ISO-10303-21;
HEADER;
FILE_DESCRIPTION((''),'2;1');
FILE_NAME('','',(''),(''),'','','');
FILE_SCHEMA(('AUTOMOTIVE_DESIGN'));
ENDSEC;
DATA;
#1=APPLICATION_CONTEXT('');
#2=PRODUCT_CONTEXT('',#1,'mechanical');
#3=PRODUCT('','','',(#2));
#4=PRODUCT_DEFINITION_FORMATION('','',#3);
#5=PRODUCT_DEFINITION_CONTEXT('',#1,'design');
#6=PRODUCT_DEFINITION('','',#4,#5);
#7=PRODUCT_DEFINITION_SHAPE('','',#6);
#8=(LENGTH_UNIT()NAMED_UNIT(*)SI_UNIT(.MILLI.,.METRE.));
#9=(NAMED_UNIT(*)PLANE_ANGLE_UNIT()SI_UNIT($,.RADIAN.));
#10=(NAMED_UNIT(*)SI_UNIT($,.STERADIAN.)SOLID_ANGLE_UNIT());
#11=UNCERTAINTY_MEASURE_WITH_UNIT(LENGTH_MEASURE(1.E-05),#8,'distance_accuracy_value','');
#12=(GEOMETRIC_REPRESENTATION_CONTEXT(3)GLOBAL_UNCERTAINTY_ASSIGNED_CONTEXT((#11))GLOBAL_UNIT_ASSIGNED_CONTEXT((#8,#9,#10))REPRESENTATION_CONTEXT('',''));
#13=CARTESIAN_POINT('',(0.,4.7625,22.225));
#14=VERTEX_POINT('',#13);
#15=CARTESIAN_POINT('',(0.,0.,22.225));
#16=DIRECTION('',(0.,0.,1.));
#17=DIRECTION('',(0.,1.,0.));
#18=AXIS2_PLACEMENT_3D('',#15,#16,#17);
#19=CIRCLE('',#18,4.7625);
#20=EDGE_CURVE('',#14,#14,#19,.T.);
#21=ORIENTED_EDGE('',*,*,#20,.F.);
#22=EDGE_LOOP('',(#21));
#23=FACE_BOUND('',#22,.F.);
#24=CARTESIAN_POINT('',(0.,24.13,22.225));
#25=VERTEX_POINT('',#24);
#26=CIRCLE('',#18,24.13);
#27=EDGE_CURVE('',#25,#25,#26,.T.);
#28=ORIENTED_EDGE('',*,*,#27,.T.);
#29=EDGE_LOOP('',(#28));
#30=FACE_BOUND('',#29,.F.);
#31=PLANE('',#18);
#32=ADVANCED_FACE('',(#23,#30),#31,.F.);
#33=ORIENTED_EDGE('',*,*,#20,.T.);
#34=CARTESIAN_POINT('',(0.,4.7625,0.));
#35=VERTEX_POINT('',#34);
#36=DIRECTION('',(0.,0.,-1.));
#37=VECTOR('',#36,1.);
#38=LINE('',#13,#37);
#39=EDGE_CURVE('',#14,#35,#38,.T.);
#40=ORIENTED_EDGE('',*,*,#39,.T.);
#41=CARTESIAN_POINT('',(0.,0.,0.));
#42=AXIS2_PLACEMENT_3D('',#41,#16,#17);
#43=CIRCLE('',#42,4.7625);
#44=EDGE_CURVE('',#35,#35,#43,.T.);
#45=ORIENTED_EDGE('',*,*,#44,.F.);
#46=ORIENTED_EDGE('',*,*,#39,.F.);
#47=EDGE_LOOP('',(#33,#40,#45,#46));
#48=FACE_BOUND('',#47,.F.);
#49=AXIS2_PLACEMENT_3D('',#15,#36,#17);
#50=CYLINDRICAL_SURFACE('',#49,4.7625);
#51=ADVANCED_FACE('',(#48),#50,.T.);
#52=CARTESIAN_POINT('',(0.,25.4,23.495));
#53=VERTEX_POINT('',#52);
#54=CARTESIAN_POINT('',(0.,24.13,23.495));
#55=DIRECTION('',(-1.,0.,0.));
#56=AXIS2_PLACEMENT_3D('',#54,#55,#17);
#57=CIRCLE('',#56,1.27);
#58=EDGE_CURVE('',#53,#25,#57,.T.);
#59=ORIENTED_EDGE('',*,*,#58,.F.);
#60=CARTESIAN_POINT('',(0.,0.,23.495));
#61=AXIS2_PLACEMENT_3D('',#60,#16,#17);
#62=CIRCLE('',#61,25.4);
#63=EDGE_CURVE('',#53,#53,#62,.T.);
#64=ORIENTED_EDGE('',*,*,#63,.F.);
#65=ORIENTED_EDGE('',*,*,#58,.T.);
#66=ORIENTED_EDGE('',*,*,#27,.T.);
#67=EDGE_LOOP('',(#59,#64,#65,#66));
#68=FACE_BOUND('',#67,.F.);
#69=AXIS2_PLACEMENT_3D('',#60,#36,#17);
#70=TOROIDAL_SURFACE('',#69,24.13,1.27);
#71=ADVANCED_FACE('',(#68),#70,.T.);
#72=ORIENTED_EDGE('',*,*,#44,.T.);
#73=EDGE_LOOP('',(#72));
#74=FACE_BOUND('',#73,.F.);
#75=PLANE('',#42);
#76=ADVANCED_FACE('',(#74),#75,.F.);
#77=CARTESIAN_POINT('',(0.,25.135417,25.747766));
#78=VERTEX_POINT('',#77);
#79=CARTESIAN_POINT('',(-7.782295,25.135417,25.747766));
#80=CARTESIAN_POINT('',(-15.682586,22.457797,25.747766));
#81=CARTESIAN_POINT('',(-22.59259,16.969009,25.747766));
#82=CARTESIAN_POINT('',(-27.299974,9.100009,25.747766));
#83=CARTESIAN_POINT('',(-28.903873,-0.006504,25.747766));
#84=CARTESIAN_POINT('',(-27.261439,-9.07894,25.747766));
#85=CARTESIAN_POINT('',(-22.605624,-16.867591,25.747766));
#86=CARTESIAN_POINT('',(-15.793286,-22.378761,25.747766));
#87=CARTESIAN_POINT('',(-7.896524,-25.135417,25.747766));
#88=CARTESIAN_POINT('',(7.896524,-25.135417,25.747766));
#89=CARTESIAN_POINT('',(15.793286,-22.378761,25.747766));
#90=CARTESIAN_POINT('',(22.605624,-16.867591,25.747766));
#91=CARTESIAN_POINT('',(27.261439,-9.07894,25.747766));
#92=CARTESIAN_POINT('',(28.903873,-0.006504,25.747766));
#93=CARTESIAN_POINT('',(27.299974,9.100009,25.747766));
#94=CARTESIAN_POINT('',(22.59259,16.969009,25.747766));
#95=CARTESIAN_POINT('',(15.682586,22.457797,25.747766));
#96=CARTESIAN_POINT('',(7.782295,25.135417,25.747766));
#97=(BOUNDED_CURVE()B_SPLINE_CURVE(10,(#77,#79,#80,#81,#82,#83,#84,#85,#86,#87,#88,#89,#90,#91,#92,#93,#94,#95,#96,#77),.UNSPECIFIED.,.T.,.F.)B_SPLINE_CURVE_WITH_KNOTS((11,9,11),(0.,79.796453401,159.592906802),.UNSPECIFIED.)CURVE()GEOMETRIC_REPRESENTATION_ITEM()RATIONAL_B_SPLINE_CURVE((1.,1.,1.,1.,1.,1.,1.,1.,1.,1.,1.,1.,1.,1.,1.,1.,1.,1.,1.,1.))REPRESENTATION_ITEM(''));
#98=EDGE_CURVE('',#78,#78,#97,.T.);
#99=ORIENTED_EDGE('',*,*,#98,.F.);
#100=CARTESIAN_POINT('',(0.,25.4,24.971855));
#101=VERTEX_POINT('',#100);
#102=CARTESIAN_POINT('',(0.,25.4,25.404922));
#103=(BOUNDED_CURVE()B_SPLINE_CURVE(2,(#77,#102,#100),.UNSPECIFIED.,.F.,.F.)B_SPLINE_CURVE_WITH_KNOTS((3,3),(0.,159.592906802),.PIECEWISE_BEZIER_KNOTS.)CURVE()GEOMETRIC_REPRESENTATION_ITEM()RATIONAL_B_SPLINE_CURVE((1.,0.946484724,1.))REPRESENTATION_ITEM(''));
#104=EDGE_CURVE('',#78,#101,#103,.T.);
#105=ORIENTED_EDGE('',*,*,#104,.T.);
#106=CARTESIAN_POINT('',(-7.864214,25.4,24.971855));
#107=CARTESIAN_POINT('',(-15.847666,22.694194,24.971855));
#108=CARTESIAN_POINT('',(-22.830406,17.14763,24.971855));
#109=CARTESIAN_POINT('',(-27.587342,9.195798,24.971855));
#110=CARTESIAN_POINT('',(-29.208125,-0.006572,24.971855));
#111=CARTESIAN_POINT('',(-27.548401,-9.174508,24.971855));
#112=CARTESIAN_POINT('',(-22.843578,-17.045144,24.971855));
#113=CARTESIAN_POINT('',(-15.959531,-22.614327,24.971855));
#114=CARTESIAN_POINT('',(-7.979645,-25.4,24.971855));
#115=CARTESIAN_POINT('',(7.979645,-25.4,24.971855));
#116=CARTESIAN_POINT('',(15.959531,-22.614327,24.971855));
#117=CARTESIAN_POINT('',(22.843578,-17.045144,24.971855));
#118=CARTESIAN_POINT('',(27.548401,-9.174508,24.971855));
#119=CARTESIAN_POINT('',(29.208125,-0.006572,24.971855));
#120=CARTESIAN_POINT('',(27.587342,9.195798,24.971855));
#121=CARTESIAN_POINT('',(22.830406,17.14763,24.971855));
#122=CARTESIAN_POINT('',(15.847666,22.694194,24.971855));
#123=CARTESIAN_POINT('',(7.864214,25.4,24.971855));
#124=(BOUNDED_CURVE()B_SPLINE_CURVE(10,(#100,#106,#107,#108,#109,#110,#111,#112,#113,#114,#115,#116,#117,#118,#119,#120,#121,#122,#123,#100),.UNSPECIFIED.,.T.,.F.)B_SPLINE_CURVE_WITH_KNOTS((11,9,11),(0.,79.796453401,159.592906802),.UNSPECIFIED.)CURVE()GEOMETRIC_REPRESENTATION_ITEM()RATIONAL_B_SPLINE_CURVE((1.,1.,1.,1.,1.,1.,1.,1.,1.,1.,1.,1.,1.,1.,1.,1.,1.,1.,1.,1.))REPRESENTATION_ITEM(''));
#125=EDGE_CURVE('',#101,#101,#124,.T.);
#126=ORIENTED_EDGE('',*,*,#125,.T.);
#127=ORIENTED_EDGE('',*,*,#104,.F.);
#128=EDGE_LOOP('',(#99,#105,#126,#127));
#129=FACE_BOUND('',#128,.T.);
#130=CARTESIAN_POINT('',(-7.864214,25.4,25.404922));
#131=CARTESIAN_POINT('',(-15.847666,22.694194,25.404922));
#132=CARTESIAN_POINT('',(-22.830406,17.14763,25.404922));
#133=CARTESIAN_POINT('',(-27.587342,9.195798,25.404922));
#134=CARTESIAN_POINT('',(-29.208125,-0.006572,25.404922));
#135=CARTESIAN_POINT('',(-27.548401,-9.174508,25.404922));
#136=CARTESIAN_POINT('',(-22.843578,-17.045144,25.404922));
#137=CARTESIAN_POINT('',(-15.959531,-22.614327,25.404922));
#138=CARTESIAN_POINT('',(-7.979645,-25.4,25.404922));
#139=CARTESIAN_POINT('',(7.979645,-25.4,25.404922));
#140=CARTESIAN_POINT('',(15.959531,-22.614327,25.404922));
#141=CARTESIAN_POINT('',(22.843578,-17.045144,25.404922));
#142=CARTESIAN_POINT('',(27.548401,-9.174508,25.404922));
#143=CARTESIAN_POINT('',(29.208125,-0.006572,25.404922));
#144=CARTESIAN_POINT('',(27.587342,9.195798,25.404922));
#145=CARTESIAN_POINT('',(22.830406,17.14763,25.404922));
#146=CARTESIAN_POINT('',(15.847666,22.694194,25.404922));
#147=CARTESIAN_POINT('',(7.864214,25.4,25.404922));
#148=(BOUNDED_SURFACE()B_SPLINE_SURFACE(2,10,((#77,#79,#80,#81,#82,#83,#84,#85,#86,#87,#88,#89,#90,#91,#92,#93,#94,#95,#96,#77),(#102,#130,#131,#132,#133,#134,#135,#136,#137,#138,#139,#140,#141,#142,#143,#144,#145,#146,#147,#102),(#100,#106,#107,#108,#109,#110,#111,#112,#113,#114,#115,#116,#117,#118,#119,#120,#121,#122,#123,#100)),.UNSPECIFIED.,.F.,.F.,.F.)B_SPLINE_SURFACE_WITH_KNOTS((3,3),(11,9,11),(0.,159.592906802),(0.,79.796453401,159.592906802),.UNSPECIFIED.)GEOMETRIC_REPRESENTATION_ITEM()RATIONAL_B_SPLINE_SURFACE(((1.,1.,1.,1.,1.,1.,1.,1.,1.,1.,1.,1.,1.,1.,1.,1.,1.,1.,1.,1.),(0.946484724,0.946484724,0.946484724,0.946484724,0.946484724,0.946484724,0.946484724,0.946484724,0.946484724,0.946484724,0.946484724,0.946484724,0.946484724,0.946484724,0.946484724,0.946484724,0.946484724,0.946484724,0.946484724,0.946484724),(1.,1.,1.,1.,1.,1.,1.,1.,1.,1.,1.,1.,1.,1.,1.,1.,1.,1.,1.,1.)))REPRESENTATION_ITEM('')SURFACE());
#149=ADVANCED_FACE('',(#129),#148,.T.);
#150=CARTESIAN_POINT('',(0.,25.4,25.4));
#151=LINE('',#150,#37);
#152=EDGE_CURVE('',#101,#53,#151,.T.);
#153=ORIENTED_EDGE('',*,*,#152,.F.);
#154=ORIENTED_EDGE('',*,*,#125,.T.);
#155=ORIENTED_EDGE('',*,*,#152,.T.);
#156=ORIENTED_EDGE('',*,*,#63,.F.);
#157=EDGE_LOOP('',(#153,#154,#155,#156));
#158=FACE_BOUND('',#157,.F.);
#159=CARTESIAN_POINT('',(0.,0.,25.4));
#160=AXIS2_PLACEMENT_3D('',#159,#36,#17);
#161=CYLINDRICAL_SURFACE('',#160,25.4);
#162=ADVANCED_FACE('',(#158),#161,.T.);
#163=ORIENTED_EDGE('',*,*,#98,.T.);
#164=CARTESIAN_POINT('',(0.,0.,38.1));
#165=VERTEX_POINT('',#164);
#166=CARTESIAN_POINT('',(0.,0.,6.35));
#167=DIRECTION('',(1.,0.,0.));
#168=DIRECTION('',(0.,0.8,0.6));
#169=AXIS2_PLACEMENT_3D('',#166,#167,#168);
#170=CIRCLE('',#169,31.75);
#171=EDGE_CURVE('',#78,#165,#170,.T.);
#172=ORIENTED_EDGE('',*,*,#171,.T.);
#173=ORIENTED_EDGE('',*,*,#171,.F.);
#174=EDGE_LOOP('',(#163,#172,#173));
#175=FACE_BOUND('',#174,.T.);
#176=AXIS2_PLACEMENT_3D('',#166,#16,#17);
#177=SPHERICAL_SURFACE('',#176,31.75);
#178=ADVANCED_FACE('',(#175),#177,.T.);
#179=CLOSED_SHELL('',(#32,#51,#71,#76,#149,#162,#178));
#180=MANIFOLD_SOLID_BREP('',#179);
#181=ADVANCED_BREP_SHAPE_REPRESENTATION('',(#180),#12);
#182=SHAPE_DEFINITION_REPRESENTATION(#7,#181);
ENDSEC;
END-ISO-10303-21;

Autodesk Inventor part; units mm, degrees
ref_plane "YZ Plane" through (0, 0, 0) normal (1, 0, 0) x (0, 1, 0)
ref_plane "XZ Plane" through (0, 0, 0) normal (0, 1, 0) x (-1, 0, 0)
ref_plane "XY Plane" through (0, 0, 0) normal (0, 0, 1) x (1, 0, 0)
sketch "Sketch1" plane through (0, 0, 0) normal (1, 0, 0) x (0, 1, 0)
  line L0 (0, 0) -> (0, 38.1)
  arc A0 (25.4, 25.4) -> (0, 38.1) centre (0, 6.35) ccw
  line L1 (25.4, 25.4) -> (25.4, 22.225)
  line L2 (25.4, 22.225) -> (4.7625, 22.225)
  line L3 (4.7625, 22.225) -> (4.7625, 0)
  line L4 (4.7625, 0) -> (0, 0)
  dimension "d0" = 9.525
  dimension "d1" = 38.1
  dimension "d2" = 22.225
  dimension "d3" = 50.8
  dimension "d4" = 3.175
revolve "Revolution1" add sketch "Sketch1" angle 360 about axis through (0, 0, 0) along (0, 0, 1)
fillet "Fillet1" radius 1.27 2 edges at (0, -25.4, 22.225) (0, -25.4, 25.4)
